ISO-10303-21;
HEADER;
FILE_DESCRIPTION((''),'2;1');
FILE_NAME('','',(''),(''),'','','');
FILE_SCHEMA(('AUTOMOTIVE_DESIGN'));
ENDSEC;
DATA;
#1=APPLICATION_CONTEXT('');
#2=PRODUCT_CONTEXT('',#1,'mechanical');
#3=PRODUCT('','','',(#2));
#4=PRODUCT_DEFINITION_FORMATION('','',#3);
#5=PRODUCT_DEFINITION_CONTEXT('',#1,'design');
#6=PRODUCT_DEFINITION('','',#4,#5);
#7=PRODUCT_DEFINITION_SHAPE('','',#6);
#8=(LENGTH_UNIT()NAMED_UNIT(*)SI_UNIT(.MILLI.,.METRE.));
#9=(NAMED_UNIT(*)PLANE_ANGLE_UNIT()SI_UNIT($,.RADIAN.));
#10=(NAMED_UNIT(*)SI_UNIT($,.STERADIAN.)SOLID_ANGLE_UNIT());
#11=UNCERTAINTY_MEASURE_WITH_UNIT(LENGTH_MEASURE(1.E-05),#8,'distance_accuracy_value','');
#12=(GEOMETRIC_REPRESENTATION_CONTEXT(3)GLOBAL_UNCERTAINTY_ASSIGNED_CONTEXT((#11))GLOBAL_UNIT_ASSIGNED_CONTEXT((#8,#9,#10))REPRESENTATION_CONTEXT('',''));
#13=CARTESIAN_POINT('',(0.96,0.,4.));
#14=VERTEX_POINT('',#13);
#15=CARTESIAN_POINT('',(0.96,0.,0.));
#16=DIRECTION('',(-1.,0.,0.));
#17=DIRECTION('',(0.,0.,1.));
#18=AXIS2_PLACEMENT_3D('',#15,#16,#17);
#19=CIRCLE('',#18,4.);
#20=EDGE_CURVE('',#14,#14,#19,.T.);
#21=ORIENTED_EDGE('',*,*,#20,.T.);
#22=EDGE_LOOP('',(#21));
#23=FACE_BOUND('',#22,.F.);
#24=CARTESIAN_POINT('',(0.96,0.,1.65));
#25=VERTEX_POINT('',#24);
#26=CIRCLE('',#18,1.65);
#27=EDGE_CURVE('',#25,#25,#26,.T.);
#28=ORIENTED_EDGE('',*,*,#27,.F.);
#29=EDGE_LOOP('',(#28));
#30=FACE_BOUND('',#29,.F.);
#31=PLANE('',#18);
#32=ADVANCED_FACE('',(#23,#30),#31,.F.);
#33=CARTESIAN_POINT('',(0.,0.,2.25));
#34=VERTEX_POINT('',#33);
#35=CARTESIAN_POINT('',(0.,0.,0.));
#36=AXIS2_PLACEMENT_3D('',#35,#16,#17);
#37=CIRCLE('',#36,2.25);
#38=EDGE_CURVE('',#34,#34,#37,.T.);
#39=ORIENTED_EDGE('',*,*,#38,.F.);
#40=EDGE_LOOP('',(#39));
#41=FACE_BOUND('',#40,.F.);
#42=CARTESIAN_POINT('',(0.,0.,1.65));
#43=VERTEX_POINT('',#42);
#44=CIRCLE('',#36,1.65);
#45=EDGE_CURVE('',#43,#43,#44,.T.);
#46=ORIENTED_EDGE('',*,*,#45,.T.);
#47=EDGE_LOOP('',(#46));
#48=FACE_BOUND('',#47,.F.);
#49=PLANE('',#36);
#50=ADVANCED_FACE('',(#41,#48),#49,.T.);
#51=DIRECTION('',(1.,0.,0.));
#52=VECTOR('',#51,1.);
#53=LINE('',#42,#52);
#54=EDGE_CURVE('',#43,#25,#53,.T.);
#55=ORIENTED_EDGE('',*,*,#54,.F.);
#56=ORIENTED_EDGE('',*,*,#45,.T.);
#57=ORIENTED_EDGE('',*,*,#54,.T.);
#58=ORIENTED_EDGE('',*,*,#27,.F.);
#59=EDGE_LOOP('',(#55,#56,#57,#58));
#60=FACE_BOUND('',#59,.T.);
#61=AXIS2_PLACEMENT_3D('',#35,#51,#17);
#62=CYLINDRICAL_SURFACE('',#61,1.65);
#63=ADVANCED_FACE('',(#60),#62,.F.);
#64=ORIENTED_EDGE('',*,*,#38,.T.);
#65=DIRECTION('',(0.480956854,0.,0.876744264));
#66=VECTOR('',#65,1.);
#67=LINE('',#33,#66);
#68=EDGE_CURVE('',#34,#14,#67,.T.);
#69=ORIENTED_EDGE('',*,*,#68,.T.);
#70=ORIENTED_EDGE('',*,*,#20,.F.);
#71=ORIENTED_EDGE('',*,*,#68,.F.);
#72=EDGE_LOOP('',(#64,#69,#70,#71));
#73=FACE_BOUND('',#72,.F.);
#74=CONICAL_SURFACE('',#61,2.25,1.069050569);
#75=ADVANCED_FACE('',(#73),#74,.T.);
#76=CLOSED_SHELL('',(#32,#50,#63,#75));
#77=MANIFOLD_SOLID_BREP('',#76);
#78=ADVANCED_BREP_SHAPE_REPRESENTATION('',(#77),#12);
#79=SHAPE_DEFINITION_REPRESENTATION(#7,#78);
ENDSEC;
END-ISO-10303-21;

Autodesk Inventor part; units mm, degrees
ref_plane "YZ Plane" through (0, 0, 0) normal (1, 0, 0) x (0, 1, 0)
ref_plane "XZ Plane" through (0, 0, 0) normal (0, 1, 0) x (-1, 0, 0)
ref_plane "XY Plane" through (0, 0, 0) normal (0, 0, 1) x (1, 0, 0)
sketch "Boceto1" plane through (0, 0, 0) normal (0, 1, 0) x (-1, 0, 0)
  line L0 (0, 0) -> (0, 2.25)
  line L1 (0, 2.25) -> (-0.96, 4)
  line L2 (-0.96, 4) -> (-0.96, 0)
  line L3 (-0.96, 0) -> (0, 0)
  line L4 (0, 1.65) -> (-0.96, 1.65)
  dimension "d0" = 1.65
  dimension "d1" = 2.25
  dimension "d2" = 0.96
  dimension "d3" = 4
revolve "Revolución1" add sketch "Boceto1" angle 360 about axis through (0.96, 0, 0) along (-1, 0, 0) contours L4 L2 L1 L0
properties part number "spacer2"
